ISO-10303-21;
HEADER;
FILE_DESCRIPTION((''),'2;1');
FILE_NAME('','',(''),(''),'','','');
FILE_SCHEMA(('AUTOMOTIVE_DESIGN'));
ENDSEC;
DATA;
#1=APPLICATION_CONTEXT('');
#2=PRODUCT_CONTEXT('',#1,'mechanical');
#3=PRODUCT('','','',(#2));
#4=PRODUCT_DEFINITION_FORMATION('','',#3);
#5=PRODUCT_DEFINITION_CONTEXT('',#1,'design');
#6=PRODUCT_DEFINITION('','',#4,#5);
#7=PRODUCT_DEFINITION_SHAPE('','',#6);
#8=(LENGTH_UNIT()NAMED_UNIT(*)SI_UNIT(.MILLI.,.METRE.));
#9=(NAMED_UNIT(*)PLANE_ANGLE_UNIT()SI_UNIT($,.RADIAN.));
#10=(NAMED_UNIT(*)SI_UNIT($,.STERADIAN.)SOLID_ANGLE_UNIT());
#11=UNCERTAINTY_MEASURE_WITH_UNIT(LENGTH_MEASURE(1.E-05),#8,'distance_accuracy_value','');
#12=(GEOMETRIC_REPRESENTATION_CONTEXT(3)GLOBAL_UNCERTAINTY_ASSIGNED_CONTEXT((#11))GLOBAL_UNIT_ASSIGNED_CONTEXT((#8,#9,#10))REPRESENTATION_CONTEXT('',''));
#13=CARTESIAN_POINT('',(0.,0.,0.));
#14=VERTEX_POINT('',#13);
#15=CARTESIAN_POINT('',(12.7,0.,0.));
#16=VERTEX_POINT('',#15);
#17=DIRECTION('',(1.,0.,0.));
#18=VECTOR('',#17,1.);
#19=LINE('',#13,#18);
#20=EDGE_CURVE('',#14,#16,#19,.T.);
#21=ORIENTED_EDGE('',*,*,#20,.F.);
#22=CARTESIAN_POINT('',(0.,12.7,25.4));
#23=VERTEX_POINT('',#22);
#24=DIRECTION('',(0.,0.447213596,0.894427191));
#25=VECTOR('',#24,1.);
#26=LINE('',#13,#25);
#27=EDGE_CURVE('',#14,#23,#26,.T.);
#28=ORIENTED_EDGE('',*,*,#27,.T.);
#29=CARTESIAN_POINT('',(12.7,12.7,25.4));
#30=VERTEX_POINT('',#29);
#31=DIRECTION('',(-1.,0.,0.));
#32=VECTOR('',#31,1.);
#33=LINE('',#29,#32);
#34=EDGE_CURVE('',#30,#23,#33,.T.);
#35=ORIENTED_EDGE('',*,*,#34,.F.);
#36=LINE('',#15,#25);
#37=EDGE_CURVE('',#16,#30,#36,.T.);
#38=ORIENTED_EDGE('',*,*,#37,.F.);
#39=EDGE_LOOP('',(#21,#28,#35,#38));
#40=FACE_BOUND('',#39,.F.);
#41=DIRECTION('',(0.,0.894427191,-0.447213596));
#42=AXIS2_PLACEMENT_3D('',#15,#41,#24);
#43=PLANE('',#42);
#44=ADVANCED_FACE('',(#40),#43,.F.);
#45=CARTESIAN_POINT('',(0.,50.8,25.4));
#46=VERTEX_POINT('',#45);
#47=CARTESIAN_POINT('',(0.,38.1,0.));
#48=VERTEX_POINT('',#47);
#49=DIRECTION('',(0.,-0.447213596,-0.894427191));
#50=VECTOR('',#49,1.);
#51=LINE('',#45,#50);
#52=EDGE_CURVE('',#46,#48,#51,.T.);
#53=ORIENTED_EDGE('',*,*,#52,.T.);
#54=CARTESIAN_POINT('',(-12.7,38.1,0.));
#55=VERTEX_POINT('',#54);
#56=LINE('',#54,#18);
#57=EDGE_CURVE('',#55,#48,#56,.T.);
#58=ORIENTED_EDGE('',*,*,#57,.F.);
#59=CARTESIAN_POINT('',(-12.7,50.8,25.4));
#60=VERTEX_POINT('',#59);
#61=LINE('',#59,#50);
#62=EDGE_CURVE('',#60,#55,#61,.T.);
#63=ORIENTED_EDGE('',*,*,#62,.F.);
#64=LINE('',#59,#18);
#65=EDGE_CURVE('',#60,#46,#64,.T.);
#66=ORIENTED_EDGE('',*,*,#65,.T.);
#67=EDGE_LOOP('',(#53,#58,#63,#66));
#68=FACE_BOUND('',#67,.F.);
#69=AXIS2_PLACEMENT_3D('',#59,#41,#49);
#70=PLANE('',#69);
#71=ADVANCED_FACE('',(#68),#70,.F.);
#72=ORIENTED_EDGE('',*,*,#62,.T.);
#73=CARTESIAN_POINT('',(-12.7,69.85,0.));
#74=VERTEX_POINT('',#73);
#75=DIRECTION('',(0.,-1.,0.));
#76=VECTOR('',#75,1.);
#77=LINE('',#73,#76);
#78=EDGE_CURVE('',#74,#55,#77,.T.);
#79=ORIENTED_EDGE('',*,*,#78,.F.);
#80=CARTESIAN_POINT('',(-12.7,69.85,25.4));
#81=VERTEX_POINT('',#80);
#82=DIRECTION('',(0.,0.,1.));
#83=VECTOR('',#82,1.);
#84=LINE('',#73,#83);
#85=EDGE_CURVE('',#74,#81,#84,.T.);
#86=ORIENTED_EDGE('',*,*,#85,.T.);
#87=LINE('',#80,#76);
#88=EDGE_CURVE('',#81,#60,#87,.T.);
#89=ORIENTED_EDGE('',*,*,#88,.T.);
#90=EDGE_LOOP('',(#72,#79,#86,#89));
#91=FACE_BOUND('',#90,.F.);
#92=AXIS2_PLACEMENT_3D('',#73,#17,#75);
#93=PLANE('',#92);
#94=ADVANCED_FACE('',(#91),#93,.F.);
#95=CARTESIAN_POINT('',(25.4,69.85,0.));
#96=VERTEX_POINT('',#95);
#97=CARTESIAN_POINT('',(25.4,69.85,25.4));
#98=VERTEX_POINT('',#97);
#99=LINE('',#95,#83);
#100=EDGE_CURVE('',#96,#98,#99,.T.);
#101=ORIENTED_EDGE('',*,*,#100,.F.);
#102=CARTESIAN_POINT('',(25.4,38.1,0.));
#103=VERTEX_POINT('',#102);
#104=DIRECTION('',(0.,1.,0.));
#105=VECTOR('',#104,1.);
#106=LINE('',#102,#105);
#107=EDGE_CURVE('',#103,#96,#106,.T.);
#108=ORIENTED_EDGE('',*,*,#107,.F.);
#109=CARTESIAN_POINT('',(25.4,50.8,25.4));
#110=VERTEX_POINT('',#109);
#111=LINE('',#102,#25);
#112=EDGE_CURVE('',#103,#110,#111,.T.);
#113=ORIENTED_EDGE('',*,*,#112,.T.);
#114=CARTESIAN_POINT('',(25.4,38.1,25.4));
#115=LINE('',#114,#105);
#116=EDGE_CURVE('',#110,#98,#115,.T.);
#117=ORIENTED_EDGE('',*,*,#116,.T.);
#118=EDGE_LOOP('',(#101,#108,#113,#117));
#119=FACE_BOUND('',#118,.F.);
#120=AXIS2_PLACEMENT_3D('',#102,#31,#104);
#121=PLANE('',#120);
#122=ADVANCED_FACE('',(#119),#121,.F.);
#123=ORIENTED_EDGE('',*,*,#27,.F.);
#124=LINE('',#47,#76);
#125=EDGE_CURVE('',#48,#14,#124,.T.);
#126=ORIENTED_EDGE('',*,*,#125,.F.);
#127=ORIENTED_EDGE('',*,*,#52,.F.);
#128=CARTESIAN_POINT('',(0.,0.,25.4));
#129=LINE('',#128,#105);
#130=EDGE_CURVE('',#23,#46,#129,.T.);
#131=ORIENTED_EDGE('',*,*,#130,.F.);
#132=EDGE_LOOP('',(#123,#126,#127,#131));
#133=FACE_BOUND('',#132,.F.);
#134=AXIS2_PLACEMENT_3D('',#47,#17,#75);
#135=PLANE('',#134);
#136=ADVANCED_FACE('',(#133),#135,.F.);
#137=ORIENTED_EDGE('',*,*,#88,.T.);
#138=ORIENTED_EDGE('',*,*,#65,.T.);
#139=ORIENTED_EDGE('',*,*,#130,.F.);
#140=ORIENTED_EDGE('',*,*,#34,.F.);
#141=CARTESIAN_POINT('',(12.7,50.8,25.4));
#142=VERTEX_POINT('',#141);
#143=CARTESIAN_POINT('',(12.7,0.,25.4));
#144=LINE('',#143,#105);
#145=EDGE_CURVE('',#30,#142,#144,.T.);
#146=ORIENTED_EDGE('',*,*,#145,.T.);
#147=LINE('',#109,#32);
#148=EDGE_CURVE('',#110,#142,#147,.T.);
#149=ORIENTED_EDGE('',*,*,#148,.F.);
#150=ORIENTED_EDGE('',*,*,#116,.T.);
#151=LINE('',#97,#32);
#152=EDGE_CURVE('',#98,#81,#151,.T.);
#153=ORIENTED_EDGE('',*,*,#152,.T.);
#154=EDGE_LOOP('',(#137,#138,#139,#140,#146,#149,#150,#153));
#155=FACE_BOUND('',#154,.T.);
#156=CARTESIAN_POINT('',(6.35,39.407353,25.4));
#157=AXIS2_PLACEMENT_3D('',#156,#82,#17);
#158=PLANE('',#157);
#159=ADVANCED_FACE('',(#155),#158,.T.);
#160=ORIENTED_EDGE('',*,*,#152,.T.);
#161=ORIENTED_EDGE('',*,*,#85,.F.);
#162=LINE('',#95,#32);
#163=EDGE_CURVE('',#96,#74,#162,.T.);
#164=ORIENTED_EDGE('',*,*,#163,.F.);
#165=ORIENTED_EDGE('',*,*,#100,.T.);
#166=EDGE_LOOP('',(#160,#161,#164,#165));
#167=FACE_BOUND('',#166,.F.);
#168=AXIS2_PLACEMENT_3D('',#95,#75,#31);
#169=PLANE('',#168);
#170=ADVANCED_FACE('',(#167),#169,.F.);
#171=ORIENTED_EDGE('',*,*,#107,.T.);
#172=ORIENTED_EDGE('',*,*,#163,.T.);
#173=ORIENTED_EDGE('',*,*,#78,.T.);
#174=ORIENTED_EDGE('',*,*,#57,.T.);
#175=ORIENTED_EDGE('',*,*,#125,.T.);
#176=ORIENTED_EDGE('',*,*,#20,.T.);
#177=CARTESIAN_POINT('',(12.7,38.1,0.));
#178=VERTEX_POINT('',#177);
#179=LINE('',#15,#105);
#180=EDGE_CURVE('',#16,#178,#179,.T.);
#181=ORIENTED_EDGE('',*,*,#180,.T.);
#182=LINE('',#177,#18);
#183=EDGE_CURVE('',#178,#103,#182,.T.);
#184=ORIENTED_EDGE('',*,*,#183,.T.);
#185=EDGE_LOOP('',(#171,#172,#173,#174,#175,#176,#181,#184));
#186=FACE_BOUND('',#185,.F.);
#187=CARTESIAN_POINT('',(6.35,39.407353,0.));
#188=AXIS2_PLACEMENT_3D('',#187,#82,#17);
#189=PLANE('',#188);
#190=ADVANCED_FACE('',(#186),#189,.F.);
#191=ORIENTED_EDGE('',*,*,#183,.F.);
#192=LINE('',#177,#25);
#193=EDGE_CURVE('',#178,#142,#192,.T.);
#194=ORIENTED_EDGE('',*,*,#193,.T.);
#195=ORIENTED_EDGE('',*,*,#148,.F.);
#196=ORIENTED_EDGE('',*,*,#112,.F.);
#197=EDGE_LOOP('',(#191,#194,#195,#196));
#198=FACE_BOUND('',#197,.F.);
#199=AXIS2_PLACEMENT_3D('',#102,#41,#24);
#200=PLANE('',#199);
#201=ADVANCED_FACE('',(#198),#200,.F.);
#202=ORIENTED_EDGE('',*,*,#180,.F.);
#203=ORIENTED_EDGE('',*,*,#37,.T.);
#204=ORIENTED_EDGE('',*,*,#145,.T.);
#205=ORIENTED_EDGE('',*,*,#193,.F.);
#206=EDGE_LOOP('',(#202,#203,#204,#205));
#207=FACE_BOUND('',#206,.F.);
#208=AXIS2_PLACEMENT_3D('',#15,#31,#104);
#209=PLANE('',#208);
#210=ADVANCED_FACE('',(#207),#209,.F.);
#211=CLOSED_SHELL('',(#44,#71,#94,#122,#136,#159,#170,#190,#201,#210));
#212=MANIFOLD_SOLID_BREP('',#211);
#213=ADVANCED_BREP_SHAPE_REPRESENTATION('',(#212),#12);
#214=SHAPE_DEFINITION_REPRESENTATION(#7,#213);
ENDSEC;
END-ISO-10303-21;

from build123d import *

# Parameters (mm, degrees)
F1_DEPTH = 25.4
F3_DEPTH = 12.7
F5_DEPTH = 12.7
F7_DEPTH = 12.7


with BuildPart() as f1:
    # F0 (on Top) → F1 (new body)
    with BuildSketch(Plane.XY):
        Polygon((0, 38.1), (0, 0), (12.7, 0), (12.7, 38.1), (25.4, 38.1), (25.4, 69.85), (-12.7, 69.85), (-12.7, 38.1), align=None)
    extrude(amount=F1_DEPTH)

    # F2 (on face) → F3 (cut)
    with BuildSketch(Plane(origin=(-12.7, 0, 0), x_dir=(0, -1, 0), z_dir=(-1, 0, 0))):
        Polygon((-50.8, 25.4), (-38.1, 0), (-38.1, 25.4), align=None)
    extrude(amount=-F3_DEPTH, mode=Mode.SUBTRACT)

    # F4 (on face) → F5 (cut)
    with BuildSketch(Plane.YZ.offset(25.4)):
        Polygon((50.8, 25.4), (38.1, 25.4), (38.1, 0), align=None)
    extrude(amount=-F5_DEPTH, mode=Mode.SUBTRACT)

    # F6 (on face) → F7 (cut)
    with BuildSketch(Plane.YZ.offset(12.7)):
        Polygon((12.7, 25.4), (0, 25.4), (0, 0), align=None)
    extrude(amount=-F7_DEPTH, mode=Mode.SUBTRACT)


solid = f1.part
